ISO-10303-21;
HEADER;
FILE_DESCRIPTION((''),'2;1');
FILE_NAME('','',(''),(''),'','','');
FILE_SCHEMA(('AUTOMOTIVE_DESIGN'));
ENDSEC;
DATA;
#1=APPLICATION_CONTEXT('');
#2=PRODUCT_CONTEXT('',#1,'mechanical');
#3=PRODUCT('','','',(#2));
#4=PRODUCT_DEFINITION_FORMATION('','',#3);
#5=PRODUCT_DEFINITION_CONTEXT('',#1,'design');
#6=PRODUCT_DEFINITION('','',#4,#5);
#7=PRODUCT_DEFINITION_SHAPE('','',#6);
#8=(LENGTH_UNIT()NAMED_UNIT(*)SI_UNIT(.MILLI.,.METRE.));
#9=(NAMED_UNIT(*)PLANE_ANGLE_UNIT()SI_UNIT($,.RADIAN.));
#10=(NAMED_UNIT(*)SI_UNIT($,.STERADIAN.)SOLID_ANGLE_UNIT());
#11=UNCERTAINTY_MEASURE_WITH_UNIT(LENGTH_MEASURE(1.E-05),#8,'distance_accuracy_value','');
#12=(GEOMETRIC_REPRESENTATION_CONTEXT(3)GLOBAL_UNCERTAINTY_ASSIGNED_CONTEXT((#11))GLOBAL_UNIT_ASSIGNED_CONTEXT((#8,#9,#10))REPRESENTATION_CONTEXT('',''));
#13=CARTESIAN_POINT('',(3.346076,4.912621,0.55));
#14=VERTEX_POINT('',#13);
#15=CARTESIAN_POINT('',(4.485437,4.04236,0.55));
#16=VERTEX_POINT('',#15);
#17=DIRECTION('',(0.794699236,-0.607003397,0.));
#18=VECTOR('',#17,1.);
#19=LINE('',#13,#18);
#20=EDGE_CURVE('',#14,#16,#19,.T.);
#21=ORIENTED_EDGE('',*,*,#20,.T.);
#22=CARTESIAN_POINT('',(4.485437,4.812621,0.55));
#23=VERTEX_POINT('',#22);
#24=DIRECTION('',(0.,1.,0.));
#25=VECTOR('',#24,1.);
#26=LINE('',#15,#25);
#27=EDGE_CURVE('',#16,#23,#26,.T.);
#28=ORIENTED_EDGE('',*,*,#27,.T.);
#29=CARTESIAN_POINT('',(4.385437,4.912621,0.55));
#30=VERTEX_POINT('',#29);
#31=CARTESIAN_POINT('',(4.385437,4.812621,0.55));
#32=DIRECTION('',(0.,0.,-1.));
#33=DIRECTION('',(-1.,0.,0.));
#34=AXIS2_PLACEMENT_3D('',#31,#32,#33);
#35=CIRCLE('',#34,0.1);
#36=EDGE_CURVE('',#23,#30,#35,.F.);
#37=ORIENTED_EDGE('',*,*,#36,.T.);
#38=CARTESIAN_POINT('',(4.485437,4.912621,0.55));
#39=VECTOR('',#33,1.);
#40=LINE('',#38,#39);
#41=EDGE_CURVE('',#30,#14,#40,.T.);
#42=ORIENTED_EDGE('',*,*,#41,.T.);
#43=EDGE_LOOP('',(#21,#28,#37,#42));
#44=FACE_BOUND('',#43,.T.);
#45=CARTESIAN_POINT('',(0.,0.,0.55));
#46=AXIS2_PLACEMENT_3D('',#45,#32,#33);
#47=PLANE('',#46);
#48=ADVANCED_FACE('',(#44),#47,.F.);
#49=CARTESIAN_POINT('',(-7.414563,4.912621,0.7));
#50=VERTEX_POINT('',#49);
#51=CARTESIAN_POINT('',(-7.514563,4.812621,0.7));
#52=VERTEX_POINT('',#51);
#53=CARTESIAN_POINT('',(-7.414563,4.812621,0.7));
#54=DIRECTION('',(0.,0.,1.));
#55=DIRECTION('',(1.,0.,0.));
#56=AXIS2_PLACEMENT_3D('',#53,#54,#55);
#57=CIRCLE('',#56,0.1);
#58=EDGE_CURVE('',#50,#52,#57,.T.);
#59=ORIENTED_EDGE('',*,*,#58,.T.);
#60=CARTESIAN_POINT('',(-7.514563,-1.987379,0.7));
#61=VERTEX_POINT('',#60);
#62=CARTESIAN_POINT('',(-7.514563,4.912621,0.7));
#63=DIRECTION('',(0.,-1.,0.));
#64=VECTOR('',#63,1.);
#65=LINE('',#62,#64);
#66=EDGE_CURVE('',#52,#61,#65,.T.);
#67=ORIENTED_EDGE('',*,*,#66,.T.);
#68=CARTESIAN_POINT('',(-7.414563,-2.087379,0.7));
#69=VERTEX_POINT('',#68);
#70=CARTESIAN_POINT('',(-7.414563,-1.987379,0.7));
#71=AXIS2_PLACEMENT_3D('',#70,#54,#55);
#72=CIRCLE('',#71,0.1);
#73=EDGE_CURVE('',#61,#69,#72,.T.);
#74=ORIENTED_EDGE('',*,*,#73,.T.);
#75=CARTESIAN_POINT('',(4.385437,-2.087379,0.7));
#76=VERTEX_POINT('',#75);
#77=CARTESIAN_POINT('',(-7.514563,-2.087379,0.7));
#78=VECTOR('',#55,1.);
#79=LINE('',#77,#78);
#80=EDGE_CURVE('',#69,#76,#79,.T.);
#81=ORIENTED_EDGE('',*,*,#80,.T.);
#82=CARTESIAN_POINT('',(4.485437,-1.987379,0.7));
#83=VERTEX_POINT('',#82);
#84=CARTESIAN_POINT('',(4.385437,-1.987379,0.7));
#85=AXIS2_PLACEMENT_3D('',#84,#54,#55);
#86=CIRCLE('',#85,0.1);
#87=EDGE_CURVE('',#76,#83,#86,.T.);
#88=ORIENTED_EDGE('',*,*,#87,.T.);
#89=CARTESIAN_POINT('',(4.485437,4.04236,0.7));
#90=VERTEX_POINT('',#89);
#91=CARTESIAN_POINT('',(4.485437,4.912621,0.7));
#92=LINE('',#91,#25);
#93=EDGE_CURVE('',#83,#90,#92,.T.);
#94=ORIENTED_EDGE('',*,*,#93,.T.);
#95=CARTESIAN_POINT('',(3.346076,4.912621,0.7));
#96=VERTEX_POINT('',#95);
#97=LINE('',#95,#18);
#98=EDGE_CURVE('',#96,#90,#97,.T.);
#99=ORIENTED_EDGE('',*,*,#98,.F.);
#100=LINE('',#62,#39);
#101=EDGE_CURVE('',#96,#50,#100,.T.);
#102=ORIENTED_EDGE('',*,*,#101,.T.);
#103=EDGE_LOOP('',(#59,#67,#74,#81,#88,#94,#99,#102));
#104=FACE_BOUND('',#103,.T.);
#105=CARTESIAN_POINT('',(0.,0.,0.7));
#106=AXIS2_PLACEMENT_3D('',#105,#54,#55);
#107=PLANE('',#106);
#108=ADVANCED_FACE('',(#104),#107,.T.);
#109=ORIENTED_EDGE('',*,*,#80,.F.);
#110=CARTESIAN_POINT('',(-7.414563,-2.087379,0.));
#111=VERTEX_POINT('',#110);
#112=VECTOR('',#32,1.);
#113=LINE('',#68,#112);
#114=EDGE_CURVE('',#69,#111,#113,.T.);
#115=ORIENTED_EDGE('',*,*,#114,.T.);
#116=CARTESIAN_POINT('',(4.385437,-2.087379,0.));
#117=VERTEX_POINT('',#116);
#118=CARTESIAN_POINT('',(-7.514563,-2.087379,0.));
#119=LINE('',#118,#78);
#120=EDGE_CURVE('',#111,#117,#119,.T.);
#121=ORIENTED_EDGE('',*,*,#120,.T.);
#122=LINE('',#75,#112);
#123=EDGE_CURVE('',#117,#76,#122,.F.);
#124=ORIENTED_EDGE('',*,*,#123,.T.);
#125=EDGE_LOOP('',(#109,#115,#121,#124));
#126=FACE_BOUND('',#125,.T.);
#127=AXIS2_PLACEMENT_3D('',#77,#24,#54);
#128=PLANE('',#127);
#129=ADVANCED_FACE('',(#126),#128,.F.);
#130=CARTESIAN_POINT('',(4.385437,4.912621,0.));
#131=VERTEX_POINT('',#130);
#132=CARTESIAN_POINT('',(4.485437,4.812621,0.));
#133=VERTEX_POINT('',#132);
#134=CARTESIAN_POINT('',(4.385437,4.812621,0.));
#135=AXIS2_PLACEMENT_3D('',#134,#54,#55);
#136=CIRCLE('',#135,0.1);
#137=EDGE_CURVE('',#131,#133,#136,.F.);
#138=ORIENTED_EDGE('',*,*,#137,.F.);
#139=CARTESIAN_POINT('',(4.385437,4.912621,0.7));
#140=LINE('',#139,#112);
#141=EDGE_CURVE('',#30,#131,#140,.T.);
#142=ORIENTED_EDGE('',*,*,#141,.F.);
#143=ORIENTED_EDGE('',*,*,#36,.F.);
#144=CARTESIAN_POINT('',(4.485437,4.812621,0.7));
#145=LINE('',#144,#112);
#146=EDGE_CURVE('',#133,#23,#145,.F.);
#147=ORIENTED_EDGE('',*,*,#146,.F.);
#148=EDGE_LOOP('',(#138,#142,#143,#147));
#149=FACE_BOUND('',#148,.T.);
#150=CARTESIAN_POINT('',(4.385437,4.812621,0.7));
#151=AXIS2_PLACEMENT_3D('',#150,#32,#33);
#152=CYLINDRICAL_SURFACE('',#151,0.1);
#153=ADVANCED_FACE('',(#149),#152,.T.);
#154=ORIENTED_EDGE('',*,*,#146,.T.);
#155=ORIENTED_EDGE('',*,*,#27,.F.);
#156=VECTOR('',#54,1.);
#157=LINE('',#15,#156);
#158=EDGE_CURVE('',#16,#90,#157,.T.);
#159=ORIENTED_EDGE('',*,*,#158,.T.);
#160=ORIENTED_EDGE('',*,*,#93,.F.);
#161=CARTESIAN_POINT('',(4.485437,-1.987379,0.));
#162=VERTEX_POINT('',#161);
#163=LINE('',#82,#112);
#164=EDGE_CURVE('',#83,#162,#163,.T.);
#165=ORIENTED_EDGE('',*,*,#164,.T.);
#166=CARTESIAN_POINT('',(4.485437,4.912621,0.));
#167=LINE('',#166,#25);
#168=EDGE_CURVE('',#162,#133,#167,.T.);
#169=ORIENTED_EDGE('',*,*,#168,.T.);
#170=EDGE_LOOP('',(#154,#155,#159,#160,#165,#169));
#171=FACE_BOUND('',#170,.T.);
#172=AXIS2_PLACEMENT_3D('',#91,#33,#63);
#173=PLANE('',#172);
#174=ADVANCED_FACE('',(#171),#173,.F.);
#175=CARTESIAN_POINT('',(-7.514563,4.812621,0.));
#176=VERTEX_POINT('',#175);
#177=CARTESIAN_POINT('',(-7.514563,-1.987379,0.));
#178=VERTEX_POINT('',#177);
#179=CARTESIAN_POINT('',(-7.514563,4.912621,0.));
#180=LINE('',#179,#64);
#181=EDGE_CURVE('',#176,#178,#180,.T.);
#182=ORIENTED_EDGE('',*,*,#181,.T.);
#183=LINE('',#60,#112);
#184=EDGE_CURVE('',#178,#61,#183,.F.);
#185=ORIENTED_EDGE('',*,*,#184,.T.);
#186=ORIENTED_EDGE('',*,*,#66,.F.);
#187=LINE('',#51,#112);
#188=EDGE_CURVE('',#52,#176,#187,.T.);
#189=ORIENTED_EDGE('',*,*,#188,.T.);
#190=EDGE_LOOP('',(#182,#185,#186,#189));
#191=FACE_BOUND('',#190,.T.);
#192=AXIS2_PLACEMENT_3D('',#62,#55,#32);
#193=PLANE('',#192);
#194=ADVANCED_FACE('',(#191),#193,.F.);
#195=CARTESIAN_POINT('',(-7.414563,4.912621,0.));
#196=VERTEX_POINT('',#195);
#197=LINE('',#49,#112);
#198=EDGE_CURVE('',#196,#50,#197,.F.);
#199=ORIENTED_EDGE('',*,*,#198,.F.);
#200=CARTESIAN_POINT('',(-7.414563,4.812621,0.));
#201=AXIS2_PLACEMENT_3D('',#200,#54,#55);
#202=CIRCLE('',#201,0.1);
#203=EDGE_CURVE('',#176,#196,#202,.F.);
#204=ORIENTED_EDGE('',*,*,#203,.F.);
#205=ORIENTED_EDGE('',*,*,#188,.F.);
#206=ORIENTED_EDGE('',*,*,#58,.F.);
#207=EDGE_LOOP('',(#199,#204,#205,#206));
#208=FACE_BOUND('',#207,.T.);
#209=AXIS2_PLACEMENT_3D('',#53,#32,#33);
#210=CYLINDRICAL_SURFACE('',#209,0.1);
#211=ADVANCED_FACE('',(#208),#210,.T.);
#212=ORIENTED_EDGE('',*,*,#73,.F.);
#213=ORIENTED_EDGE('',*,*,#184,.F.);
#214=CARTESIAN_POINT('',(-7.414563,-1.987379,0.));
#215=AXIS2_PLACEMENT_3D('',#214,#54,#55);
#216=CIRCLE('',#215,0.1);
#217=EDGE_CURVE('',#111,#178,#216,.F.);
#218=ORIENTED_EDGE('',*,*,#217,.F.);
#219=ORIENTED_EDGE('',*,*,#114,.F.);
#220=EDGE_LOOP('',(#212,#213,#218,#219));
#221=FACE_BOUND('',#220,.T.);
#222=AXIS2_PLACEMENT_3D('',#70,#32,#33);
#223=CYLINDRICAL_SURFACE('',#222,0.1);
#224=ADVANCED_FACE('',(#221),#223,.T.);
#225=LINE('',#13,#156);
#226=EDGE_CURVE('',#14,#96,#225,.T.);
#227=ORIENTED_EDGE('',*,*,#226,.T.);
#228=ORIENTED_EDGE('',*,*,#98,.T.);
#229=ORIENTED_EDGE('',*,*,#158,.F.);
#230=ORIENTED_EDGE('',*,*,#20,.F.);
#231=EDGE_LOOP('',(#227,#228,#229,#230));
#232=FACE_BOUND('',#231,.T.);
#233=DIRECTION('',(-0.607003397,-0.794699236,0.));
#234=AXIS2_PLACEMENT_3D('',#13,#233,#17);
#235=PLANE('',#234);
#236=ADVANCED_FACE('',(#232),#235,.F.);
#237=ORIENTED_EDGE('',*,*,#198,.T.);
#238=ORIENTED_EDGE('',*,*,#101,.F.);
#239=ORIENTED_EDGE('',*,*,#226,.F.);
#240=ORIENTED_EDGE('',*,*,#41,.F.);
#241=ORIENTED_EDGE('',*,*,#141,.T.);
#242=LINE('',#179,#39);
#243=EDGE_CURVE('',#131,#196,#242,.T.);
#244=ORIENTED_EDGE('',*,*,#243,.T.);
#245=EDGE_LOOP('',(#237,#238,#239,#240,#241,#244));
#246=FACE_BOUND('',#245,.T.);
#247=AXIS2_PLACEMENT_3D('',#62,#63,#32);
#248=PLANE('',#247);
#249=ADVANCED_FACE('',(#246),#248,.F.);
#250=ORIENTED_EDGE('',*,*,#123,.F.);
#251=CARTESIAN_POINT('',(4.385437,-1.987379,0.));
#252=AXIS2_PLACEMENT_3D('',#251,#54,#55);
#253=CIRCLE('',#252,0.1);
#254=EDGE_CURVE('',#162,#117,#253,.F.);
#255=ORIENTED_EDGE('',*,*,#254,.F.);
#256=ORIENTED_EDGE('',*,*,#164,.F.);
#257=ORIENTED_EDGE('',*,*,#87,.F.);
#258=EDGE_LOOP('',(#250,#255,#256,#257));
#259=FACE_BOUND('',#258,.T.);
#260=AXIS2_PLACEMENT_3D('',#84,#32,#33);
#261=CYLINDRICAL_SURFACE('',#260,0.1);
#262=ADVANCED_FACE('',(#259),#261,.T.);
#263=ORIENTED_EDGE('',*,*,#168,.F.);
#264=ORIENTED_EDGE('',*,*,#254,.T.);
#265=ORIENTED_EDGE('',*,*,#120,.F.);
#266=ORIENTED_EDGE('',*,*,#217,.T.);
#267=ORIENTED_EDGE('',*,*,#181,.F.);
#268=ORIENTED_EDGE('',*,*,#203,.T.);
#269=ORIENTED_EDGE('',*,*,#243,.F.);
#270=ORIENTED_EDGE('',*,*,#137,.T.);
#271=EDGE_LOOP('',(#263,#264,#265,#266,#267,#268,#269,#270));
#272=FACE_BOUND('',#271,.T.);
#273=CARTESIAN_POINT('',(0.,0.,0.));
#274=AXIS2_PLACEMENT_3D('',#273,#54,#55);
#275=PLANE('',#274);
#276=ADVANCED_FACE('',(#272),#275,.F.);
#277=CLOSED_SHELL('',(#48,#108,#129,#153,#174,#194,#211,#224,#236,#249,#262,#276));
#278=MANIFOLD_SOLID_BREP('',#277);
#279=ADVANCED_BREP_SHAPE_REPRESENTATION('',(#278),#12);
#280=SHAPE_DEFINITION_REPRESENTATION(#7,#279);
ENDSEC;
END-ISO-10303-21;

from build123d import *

# Parameters (mm, degrees)
SKETCH_1_W          = 12
SKETCH_1_H          = 7
EXTRUDE_1_DEPTH     = 0.7
CUT_EXTRUDE_1_DEPTH = 0.15
FILLET_1_R          = 0.1


with BuildPart() as part:
    # 草图1 → 凸台-拉伸1 (new body)
    with BuildSketch(Plane.XY):
        with Locations((-1.514563107, 1.412621359)):
            Rectangle(SKETCH_1_W, SKETCH_1_H)
    extrude(amount=EXTRUDE_1_DEPTH)

    # 草图2 → 切除-拉伸1 (cut)
    with BuildSketch(Plane.XY.offset(0.7)):
        Polygon((3.346075687, 4.912621359), (4.485436893, 4.042359893), (4.485436893, 4.912621359), align=None)
    extrude(amount=-CUT_EXTRUDE_1_DEPTH, mode=Mode.SUBTRACT)

    # 圆角1
    fillet_1_edges = [part.edges().sort_by_distance(p)[0] for p in [
        (4.485436893, 4.912621359, 0.275),
        (-7.514563107, 4.912621359, 0.35),
        (4.485436893, -2.087378641, 0.35),
        (-7.514563107, -2.087378641, 0.35),
    ]]
    fillet(fillet_1_edges, radius=FILLET_1_R)


solid = part.part
